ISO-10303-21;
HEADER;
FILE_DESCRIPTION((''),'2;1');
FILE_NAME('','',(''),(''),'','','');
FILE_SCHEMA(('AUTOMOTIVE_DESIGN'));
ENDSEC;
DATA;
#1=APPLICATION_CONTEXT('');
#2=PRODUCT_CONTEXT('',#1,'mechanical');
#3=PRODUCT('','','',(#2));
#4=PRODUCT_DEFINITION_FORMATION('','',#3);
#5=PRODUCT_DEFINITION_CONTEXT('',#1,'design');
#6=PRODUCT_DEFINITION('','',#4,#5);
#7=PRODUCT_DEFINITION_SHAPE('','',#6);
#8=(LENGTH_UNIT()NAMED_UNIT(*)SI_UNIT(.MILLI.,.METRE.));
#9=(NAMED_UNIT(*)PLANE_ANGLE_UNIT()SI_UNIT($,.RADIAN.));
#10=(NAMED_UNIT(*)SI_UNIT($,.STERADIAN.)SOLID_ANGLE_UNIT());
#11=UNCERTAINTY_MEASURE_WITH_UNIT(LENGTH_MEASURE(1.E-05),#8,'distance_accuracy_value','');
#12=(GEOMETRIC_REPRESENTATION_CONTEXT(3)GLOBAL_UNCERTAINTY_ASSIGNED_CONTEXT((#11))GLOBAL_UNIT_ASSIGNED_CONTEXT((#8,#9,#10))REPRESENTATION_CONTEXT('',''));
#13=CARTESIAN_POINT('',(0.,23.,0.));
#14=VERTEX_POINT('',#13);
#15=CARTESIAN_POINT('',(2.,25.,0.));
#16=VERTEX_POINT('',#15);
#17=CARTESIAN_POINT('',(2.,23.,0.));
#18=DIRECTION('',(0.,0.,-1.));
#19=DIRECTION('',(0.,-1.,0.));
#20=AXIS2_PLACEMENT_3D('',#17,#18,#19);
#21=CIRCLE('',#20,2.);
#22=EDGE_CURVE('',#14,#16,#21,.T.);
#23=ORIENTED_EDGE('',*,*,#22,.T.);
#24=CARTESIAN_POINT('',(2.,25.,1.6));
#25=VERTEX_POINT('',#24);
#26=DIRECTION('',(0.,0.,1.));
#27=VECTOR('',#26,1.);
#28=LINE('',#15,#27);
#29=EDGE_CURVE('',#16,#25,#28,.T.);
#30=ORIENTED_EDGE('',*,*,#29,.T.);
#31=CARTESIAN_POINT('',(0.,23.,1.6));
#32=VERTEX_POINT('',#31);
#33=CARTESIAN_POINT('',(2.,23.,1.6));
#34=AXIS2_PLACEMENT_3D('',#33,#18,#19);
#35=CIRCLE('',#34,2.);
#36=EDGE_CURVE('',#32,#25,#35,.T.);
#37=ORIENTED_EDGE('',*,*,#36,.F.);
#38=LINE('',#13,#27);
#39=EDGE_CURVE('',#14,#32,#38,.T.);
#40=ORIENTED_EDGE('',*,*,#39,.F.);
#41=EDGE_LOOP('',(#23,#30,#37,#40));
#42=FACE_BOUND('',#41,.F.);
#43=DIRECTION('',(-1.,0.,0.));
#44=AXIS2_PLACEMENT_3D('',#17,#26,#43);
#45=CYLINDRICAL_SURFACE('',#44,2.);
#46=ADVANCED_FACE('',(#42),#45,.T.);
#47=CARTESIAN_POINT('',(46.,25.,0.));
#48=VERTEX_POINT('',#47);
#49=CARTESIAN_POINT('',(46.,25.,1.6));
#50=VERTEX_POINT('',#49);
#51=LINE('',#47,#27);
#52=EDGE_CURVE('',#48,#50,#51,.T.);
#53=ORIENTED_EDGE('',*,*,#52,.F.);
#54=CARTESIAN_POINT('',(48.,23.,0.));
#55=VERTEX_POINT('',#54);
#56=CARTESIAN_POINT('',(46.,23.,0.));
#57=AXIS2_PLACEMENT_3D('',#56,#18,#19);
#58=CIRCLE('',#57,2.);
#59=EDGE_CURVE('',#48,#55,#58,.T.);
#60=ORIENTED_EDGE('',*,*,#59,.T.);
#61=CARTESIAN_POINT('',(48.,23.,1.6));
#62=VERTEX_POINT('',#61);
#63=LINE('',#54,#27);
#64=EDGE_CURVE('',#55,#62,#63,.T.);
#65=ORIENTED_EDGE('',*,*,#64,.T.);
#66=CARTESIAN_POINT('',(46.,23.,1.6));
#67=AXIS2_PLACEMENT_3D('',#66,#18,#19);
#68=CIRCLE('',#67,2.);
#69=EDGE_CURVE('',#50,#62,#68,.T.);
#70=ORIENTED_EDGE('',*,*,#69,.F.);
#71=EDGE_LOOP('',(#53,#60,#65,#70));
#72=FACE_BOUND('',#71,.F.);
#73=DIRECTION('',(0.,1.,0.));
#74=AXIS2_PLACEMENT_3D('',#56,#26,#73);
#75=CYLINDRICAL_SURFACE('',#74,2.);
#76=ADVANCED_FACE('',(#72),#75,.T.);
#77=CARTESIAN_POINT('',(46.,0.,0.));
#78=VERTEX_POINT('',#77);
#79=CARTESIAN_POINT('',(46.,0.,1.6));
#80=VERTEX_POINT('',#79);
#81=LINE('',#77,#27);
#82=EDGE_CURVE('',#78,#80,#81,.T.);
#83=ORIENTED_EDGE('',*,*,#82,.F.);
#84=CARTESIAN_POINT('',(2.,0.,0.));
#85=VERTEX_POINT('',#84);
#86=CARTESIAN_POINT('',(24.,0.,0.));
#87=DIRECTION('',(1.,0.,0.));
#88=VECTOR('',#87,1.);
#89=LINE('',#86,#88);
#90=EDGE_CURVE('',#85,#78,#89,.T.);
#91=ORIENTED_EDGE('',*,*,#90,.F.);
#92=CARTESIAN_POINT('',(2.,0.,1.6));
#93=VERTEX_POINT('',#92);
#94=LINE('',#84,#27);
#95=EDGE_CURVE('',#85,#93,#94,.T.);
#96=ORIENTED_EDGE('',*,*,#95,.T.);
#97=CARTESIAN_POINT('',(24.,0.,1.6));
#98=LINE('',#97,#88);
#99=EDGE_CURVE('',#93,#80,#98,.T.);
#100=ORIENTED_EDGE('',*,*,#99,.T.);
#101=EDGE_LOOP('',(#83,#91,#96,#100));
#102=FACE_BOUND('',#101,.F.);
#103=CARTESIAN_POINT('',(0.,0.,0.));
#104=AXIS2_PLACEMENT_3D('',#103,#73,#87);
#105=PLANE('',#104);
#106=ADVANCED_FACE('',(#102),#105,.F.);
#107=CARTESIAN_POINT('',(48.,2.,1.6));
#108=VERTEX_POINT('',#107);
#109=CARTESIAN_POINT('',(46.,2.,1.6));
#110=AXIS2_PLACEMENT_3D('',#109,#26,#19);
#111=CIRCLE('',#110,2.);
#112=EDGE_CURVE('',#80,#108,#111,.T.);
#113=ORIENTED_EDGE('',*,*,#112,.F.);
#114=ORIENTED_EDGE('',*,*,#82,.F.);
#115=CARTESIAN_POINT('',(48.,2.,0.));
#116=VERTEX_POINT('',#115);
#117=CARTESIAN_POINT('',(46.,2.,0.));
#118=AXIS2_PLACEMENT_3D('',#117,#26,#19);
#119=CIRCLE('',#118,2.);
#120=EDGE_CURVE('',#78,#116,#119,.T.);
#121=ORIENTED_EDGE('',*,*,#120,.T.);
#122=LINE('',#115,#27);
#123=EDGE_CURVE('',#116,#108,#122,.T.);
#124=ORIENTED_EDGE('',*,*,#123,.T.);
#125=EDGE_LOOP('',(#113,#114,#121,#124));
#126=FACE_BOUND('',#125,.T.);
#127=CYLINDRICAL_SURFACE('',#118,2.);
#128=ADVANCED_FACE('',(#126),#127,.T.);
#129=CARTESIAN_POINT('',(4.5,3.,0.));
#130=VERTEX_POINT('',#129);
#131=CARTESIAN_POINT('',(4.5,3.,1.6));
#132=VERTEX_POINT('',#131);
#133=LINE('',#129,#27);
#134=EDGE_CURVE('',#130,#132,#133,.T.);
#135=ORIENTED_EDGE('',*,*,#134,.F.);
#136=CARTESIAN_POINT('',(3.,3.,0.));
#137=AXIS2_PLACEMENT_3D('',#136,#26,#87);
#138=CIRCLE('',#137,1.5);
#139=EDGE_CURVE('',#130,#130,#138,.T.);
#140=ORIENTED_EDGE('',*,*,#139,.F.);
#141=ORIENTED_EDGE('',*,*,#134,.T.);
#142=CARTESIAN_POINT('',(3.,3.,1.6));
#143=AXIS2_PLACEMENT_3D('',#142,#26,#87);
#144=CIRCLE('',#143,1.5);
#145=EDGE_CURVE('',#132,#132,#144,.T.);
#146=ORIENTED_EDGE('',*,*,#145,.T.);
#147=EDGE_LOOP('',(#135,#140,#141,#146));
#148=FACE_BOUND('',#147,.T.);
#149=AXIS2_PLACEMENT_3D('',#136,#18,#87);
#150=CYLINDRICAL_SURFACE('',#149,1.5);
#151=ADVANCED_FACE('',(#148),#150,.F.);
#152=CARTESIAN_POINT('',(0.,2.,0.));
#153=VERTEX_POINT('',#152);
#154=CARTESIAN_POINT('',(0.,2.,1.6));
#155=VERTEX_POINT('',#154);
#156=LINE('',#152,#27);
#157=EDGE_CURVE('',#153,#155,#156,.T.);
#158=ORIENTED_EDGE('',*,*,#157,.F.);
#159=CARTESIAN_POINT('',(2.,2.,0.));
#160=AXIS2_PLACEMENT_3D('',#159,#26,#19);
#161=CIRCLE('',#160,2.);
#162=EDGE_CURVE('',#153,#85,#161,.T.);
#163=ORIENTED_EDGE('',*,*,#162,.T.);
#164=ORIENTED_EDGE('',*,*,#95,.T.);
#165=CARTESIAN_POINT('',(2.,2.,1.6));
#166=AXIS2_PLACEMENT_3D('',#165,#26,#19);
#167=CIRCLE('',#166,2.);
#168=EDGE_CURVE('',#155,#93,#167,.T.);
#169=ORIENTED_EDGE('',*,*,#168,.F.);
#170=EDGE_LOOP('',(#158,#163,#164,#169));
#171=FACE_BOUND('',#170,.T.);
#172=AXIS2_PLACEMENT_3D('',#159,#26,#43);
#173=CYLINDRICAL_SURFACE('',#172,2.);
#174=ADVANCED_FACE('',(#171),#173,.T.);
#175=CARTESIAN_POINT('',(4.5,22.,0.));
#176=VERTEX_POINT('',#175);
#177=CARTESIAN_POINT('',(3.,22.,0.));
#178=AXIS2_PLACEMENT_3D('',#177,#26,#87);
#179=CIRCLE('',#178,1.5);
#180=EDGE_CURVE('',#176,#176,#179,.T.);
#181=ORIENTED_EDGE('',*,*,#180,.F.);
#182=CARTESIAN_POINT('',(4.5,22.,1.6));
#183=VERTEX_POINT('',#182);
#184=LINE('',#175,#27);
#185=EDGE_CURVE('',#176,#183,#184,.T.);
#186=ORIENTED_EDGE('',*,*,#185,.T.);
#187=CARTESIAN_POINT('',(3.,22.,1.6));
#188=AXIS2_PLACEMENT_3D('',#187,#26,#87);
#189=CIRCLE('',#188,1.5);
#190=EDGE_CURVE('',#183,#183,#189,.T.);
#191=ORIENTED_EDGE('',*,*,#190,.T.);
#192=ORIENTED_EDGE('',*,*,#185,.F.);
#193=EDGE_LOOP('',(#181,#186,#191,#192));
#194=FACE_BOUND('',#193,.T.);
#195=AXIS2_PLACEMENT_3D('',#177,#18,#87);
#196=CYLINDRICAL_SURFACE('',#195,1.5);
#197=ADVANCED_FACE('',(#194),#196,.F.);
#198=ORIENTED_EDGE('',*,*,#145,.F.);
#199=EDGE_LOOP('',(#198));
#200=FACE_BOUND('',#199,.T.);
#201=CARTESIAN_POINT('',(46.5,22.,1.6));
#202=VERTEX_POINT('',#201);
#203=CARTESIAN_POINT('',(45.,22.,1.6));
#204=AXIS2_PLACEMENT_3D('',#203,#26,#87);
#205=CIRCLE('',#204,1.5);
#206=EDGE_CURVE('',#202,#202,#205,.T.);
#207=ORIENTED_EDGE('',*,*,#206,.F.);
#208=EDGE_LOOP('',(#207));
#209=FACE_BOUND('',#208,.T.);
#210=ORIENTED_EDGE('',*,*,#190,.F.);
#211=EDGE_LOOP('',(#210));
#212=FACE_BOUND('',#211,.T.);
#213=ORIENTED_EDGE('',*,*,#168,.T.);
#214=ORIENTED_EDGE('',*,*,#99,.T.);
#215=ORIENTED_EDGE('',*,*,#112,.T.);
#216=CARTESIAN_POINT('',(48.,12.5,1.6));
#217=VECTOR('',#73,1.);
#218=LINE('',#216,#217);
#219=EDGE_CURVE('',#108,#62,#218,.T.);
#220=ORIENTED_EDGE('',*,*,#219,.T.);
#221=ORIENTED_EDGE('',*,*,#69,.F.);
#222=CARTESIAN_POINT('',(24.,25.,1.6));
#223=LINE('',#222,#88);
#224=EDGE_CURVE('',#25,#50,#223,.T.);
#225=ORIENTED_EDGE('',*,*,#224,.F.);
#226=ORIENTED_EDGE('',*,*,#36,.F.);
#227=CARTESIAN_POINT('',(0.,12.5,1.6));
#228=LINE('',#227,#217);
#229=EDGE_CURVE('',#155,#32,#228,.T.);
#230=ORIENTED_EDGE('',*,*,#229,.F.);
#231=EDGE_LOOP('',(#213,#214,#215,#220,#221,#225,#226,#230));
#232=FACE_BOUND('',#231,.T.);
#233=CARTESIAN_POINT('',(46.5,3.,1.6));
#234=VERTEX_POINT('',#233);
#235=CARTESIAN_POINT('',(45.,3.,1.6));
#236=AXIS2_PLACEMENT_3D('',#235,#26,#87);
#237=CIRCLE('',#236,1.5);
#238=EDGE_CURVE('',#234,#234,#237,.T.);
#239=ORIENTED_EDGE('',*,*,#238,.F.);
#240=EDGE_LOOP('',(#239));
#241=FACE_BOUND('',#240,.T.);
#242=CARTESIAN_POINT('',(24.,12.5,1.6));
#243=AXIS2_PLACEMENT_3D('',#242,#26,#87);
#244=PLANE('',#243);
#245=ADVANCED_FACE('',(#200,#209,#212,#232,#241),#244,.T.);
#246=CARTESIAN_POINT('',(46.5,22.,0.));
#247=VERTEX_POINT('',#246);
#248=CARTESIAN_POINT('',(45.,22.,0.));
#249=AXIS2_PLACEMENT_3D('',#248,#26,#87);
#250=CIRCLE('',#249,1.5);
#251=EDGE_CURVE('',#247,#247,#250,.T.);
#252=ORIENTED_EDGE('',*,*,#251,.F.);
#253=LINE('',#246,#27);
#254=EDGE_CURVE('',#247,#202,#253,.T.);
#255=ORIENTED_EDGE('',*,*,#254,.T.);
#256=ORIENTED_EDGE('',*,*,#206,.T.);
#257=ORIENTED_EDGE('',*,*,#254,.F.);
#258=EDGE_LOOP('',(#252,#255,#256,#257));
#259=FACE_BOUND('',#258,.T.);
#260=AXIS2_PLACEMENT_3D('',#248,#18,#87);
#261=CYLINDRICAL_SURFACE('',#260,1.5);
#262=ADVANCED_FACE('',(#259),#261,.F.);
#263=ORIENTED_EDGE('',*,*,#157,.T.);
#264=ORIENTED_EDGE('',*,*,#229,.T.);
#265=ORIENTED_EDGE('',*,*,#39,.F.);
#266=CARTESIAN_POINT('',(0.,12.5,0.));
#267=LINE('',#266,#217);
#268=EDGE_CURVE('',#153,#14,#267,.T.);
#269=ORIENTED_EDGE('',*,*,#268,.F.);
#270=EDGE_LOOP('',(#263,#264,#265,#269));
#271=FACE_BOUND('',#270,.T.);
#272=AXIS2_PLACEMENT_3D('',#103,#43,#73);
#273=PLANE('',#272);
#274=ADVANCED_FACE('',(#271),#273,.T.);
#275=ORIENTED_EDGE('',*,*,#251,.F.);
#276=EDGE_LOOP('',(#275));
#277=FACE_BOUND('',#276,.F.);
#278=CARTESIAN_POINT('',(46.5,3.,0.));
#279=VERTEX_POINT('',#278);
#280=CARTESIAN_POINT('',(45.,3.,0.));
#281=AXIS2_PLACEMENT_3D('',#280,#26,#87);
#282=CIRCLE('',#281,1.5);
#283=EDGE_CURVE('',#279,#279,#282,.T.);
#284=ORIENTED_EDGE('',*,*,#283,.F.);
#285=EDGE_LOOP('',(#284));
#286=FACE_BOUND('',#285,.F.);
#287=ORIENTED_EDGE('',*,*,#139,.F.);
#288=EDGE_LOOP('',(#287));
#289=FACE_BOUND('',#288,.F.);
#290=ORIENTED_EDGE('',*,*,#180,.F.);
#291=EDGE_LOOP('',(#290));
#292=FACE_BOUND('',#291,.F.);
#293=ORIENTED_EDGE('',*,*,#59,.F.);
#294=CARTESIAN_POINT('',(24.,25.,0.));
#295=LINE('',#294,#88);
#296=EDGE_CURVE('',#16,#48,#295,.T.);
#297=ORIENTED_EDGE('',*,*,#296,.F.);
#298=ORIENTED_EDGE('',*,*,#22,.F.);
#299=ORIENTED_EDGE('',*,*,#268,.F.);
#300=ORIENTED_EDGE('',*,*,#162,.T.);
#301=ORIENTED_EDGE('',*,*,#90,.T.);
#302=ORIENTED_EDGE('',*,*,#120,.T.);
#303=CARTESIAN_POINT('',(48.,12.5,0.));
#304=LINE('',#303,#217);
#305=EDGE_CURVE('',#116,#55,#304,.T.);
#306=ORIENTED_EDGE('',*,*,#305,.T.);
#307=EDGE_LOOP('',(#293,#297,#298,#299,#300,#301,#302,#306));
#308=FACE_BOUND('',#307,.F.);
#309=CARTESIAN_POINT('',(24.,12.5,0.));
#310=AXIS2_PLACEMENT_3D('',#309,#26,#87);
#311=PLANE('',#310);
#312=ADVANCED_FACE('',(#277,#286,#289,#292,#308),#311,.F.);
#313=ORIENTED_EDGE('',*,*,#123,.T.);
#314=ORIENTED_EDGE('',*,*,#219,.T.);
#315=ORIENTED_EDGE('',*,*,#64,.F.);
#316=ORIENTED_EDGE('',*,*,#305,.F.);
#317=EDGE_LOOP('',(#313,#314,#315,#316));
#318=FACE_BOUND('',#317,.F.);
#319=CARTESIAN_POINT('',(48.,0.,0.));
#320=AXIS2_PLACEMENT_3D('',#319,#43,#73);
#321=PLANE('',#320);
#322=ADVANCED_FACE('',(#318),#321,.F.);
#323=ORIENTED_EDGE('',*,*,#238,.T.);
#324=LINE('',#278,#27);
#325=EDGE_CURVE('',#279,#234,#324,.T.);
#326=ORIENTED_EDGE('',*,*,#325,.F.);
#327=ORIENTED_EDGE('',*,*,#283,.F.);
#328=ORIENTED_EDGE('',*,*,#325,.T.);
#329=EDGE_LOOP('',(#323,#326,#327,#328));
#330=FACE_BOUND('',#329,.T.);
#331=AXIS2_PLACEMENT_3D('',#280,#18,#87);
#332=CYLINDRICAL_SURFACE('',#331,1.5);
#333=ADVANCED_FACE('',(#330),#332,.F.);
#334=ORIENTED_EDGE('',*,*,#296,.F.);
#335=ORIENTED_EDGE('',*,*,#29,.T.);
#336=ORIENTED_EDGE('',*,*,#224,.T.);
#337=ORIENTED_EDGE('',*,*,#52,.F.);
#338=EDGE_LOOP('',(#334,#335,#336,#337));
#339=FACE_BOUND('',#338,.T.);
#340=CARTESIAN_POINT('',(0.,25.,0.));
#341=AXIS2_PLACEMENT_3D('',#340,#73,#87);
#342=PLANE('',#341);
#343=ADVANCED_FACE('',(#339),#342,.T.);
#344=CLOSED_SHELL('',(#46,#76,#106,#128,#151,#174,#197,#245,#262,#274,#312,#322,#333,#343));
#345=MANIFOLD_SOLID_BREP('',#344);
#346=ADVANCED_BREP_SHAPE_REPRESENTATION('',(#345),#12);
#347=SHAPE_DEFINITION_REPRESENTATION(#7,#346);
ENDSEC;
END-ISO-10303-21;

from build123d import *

# Parameters (mm, degrees)
F0_W     = 48
F0_H     = 25
F0_R     = 1.5
F1_DEPTH = 1.6
F2_R     = 2


with BuildPart() as f1:
    # F0 (on Top) → F1 (new body)
    with BuildSketch(Plane.XY):
        with Locations((24, 12.5)):
            Rectangle(F0_W, F0_H)
        with Locations((3, 3)):
            Circle(F0_R, mode=Mode.SUBTRACT)
        with Locations((45, 3)):
            Circle(F0_R, mode=Mode.SUBTRACT)
        with Locations((3, 22)):
            Circle(F0_R, mode=Mode.SUBTRACT)
        with Locations((45, 22)):
            Circle(F0_R, mode=Mode.SUBTRACT)
    extrude(amount=F1_DEPTH)

    # F2
    f2_edges = [f1.edges().sort_by_distance(p)[0] for p in [
        (48, 0, 0.8),
        (48, 25, 0.8),
        (0, 25, 0.8),
        (0, 0, 0.8),
    ]]
    fillet(f2_edges, radius=F2_R)


solid = f1.part
